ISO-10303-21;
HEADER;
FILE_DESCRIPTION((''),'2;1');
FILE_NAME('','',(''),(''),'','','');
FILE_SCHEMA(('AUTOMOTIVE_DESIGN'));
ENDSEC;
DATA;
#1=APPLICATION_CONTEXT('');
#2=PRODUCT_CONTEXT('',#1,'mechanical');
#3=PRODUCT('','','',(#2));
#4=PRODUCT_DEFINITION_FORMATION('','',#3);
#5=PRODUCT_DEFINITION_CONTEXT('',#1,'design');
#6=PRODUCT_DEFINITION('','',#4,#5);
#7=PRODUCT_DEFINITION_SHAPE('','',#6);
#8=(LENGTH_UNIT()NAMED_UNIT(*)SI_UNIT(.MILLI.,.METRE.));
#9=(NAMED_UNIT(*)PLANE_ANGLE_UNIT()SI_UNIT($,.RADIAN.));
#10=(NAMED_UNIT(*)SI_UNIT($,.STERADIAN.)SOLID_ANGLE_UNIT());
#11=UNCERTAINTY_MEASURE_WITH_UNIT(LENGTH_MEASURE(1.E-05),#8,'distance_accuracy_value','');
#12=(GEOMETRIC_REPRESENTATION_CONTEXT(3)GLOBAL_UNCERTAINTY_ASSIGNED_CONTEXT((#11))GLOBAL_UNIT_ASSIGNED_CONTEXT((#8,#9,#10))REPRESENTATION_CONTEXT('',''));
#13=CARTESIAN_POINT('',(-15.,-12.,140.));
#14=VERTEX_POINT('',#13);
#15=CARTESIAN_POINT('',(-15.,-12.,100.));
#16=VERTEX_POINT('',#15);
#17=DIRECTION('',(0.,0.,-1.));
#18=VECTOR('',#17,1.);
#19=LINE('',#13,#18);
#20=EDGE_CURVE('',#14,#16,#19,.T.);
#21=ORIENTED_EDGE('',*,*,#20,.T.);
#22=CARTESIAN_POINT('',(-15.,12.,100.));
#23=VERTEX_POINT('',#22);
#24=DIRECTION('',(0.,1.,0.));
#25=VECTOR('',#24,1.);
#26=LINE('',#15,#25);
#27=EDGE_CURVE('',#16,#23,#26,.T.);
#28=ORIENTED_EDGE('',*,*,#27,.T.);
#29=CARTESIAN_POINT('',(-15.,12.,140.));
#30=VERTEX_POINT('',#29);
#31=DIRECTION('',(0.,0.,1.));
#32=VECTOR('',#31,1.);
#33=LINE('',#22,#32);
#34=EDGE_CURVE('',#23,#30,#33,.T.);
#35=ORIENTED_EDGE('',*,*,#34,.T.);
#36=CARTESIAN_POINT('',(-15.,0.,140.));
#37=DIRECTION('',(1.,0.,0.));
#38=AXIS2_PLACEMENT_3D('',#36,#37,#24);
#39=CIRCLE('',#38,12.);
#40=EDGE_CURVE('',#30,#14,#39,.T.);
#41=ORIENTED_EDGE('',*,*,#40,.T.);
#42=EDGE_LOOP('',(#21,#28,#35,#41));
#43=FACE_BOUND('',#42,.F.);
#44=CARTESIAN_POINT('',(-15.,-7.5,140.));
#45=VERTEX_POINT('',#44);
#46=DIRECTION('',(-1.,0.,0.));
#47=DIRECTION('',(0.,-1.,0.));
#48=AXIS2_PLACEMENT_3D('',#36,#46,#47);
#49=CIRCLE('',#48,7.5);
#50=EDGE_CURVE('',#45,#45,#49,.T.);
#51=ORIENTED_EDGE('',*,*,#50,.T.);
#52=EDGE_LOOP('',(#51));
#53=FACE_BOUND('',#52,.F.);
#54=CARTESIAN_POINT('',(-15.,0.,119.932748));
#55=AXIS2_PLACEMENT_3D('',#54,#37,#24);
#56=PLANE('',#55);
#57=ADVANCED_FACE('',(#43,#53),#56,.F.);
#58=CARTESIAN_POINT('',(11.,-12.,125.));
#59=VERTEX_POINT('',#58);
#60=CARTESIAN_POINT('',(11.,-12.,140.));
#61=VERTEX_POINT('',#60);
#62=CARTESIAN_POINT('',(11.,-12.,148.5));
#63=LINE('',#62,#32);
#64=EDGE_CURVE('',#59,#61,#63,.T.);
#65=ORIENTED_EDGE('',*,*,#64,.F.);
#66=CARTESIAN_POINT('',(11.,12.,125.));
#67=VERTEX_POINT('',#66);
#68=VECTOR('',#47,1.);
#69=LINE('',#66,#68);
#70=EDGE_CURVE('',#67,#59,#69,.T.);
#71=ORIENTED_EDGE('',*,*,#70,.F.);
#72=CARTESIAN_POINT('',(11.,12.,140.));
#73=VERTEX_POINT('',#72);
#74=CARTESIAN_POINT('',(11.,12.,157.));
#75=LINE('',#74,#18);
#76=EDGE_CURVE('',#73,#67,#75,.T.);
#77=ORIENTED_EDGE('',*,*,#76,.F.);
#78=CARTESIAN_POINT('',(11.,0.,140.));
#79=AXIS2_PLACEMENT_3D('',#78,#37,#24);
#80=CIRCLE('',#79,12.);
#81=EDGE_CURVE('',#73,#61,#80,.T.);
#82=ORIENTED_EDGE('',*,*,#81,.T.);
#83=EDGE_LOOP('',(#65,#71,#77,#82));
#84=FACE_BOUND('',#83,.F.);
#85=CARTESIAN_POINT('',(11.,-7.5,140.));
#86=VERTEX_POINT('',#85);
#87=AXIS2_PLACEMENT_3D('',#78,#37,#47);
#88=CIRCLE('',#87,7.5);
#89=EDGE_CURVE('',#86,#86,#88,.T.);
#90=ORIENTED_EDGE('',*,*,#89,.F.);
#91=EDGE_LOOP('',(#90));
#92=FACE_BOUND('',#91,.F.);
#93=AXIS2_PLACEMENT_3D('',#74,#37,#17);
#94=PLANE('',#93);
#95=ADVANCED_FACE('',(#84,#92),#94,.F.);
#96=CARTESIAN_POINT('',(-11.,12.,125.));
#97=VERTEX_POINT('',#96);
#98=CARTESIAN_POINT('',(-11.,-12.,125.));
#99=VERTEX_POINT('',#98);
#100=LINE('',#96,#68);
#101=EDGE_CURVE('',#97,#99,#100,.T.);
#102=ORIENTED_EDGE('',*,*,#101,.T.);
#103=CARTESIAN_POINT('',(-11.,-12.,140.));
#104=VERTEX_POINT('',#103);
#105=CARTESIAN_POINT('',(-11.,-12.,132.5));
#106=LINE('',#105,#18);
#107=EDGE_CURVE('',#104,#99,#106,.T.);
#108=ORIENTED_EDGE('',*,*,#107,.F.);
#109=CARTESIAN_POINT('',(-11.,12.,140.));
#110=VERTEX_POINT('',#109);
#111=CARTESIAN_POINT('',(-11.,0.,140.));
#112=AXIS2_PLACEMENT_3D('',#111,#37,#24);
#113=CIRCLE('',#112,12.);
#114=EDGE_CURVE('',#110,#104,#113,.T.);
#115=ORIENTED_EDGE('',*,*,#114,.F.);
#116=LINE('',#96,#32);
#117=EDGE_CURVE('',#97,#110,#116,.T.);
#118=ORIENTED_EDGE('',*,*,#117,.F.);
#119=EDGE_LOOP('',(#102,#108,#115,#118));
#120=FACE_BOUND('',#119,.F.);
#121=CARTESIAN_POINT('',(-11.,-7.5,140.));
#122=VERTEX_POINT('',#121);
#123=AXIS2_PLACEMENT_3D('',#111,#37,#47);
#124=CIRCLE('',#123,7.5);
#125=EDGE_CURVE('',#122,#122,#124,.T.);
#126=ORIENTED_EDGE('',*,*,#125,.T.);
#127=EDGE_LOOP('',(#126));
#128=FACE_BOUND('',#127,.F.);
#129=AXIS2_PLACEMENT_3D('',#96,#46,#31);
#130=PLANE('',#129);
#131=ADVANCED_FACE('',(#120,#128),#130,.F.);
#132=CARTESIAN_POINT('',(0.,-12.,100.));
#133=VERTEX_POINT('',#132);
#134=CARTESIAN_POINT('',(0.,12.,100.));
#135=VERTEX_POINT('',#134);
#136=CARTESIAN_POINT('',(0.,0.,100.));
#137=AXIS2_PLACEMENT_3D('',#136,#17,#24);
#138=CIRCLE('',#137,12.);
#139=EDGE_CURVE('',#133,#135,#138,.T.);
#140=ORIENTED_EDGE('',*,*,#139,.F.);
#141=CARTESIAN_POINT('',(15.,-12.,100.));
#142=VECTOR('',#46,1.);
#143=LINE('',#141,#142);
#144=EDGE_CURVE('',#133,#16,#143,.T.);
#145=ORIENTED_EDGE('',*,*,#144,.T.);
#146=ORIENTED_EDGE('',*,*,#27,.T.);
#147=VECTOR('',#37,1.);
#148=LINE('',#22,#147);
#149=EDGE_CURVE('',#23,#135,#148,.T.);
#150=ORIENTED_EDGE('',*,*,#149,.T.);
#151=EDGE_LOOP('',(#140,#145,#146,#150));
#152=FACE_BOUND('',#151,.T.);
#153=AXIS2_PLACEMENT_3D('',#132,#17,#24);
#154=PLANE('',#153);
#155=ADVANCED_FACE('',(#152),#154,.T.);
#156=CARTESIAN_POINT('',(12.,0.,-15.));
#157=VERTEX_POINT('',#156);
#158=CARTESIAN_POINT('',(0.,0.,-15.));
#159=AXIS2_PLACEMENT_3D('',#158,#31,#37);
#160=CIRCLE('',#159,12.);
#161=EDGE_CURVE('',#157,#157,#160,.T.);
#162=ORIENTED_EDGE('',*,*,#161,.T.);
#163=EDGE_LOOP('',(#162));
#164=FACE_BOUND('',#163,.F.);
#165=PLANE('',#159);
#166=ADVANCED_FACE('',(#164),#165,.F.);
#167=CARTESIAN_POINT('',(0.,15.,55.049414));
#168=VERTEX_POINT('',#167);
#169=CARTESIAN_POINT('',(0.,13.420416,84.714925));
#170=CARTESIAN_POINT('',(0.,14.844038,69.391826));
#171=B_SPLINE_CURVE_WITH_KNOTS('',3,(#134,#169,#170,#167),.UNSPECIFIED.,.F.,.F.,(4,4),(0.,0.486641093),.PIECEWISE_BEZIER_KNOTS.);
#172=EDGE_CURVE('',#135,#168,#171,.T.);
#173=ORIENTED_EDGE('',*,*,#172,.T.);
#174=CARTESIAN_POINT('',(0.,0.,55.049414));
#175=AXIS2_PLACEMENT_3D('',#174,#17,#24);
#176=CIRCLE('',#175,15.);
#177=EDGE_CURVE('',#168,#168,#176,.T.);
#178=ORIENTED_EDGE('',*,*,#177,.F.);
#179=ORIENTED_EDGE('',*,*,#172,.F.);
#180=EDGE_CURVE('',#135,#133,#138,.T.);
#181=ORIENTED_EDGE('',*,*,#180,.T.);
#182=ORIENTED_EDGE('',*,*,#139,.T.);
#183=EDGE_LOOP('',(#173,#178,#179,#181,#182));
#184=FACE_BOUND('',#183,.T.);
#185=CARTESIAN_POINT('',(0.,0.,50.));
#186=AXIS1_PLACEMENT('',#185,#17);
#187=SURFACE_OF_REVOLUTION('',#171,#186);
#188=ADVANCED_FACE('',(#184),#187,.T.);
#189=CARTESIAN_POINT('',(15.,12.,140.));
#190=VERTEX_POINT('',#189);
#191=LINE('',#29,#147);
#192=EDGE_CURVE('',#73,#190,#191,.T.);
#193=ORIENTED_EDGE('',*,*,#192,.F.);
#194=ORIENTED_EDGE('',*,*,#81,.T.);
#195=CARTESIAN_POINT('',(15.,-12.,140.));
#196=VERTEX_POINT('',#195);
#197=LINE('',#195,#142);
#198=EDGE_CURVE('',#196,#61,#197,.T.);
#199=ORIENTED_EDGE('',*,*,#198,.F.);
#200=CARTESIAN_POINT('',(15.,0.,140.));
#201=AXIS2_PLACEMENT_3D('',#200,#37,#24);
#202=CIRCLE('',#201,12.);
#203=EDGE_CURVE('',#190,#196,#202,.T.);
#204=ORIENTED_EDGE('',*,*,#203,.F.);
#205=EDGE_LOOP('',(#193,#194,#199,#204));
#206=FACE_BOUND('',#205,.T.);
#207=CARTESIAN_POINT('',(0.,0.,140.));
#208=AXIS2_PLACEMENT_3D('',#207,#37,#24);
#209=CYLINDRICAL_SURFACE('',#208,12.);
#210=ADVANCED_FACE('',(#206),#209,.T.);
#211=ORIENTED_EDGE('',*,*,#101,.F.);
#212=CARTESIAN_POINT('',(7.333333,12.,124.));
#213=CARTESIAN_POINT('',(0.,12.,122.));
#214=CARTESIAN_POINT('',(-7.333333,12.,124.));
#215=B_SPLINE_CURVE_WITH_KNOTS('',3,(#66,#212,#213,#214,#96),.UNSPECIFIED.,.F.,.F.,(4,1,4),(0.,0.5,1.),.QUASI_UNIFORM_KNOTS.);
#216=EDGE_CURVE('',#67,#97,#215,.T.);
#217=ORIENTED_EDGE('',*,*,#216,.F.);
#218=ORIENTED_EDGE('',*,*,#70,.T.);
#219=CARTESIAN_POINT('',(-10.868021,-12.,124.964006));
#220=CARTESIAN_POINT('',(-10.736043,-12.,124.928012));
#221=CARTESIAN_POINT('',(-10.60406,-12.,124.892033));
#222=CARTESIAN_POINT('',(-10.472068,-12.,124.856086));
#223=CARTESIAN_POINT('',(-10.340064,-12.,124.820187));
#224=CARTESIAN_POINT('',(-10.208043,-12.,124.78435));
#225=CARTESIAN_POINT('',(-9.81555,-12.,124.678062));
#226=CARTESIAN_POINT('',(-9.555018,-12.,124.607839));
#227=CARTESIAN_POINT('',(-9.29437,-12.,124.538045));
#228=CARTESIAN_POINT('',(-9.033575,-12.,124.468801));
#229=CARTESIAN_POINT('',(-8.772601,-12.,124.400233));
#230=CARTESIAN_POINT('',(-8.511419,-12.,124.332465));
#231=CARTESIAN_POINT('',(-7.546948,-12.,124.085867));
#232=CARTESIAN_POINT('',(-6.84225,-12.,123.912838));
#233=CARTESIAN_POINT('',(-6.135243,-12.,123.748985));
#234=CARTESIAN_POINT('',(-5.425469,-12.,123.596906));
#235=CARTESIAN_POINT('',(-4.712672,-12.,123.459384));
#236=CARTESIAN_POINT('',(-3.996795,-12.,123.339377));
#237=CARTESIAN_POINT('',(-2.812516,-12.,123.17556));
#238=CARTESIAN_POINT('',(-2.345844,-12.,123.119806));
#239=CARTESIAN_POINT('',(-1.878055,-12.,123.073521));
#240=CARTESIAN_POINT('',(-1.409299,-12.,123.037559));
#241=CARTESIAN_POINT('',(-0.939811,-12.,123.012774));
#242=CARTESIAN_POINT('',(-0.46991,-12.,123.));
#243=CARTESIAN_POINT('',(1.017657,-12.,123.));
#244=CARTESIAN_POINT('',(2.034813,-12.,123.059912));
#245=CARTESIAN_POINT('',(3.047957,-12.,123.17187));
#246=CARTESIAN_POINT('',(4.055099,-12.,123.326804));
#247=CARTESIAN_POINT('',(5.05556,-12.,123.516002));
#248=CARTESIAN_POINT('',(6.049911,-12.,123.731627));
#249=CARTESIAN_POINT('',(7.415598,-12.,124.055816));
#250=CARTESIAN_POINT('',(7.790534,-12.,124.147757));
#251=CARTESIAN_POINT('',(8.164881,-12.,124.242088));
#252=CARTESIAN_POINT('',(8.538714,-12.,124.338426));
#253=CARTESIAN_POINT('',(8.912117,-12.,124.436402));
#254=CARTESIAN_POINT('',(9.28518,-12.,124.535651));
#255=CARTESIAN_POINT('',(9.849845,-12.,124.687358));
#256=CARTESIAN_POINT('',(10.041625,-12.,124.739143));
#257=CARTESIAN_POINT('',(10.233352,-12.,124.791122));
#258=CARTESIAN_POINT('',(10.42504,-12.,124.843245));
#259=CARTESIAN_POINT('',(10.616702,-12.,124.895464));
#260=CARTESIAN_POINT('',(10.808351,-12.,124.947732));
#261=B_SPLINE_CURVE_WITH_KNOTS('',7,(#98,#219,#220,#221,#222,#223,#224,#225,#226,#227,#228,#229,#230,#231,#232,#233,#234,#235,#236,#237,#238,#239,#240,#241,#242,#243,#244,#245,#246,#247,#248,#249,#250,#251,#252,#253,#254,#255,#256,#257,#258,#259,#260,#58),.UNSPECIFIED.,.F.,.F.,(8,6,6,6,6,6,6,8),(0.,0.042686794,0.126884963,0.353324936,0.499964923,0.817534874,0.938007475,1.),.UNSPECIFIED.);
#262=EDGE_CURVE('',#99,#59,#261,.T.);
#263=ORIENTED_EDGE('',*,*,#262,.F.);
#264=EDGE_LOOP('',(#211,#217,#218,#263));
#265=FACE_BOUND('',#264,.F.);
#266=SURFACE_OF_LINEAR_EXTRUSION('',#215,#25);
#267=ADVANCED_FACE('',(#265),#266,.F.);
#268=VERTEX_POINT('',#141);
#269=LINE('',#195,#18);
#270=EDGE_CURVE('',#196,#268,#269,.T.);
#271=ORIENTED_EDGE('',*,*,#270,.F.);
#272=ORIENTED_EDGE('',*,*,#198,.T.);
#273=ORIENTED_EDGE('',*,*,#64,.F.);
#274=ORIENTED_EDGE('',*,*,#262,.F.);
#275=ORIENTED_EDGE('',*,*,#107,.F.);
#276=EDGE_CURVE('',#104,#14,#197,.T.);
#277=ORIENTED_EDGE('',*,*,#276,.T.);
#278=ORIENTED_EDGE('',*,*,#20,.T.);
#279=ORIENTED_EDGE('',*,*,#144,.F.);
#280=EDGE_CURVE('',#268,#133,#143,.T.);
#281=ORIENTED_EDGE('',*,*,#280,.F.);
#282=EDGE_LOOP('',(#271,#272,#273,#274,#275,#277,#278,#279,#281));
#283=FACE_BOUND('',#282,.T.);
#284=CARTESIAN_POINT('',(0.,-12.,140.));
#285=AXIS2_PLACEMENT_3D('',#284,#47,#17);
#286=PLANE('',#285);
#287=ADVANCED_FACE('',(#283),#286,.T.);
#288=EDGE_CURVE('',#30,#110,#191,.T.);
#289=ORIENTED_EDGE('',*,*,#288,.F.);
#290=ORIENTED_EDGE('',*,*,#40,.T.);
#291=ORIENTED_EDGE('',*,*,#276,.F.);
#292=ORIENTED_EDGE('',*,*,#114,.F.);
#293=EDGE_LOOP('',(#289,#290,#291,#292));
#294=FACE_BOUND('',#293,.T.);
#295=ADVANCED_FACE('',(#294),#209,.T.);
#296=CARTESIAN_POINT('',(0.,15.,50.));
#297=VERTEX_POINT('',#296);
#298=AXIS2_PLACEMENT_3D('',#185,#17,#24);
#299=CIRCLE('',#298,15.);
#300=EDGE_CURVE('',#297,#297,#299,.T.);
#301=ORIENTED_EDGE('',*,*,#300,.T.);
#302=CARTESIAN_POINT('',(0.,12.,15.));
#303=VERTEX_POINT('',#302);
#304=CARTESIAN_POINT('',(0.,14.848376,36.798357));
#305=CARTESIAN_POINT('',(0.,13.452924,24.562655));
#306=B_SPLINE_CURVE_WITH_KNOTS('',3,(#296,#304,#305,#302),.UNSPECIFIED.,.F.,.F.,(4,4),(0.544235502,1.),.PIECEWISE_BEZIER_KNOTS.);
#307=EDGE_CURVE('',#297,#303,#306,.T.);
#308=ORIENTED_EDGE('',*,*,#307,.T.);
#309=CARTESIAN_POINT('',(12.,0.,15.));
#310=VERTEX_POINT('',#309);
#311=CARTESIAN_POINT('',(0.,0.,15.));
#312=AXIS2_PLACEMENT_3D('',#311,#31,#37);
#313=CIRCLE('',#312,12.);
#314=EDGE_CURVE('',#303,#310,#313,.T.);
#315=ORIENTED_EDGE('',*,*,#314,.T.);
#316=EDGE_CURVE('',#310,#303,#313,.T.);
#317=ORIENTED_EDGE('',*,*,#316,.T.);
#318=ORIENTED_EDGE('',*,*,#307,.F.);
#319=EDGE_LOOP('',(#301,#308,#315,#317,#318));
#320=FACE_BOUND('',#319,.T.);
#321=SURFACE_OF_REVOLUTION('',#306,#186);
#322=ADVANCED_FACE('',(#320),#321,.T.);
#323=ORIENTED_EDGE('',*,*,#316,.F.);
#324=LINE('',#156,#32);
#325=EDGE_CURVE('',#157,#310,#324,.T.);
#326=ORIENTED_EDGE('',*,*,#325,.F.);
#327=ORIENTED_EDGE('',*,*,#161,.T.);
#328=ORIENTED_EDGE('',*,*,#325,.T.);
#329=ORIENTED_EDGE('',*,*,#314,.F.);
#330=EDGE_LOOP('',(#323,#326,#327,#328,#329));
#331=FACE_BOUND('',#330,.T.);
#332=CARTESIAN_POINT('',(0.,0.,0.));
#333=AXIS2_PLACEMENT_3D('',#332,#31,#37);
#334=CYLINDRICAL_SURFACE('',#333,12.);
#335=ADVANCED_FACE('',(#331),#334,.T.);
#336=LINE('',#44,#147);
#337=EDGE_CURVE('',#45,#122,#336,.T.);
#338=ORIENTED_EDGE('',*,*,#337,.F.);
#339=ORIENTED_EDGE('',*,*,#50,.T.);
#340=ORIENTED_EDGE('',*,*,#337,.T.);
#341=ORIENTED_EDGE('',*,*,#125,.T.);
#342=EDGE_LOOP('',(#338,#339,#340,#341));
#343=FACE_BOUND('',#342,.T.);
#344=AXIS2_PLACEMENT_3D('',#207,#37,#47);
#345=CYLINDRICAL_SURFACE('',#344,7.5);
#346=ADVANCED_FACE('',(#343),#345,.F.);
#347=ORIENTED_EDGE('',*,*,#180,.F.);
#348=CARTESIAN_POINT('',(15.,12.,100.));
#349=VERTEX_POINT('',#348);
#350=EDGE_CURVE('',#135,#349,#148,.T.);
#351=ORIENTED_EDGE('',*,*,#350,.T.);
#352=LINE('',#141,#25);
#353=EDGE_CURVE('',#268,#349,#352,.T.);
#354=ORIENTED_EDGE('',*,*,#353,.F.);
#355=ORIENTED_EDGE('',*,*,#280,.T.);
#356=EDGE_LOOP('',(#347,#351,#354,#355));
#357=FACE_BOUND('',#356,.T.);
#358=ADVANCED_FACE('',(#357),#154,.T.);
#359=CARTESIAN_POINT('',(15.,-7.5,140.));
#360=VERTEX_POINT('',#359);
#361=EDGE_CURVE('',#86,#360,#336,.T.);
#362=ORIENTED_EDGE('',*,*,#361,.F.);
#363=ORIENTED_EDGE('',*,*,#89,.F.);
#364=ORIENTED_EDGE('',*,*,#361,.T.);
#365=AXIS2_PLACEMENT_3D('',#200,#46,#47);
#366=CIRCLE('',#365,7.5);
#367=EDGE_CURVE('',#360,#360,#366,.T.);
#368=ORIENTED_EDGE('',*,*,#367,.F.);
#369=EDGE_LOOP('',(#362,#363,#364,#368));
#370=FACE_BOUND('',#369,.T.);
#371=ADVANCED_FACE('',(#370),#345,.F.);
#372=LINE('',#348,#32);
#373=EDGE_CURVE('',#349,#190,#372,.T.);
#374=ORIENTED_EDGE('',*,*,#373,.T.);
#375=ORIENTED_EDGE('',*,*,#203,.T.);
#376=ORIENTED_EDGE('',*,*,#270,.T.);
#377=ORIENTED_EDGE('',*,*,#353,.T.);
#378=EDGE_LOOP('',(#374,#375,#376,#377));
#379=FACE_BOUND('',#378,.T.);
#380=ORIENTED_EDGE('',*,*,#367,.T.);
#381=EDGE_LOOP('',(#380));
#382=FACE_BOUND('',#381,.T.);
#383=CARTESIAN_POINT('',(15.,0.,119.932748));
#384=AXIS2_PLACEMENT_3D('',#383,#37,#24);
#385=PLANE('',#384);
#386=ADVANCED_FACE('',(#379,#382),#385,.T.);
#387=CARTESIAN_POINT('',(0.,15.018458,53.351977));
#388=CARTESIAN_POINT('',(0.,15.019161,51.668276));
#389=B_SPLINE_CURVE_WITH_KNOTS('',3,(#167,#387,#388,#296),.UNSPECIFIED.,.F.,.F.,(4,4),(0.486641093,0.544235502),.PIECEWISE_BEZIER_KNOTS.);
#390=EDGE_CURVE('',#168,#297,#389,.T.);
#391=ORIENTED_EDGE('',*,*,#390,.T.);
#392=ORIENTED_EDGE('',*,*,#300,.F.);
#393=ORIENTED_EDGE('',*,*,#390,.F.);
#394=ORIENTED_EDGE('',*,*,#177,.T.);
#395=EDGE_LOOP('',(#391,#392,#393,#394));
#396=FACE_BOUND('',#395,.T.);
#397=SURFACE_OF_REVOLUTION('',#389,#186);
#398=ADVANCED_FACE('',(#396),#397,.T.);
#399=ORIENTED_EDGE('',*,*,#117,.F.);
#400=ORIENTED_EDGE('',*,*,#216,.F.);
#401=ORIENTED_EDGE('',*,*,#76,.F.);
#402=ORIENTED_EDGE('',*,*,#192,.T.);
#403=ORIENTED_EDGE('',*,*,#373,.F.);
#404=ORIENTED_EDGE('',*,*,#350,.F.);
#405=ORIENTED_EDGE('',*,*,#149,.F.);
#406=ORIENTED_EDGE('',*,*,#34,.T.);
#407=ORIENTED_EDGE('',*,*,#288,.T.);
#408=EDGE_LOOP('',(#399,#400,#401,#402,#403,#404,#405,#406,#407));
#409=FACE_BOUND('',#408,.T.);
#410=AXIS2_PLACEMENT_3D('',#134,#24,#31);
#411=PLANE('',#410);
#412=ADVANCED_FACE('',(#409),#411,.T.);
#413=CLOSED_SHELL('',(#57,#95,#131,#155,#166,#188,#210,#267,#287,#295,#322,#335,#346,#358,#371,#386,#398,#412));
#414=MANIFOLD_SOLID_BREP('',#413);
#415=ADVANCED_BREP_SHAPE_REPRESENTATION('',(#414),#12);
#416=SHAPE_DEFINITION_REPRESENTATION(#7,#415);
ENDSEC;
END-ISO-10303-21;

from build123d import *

# Parameters (mm, degrees)
F0_R     = 12
F1_DEPTH = 15
F2_W     = 12
F2_H     = 85
F5_DEPTH = 15
F6_W     = 22
F6_H     = 2
F6_H_2   = 15
F7_DEPTH = 25.4


with BuildPart() as f1:
    # F0 (on Top) → F1 (new body, symmetric)
    with BuildSketch(Plane.XY):
        Circle(F0_R)
    extrude(amount=F1_DEPTH, both=True)

    # F2 (on Right) → F3 (revolve)
    with BuildSketch(Plane.YZ):
        with Locations((6, 57.5)):
            Rectangle(F2_W, F2_H)
        with BuildLine():
            Line((12, 100), (12, 15))
            add(Edge.make_bspline(
                [(15, 50), (14.8483760761, 36.7983569986), (13.4529237629, 24.5626545335), (12, 15)],
                knots=[0.5442355016, 0.5442355016, 0.5442355016, 0.5442355016, 1, 1, 1, 1], degree=3))
            Line((15, 50), (15, 55.0494137852))
            add(Edge.make_bspline(
                [(12, 100), (13.4204155957, 84.714924594), (14.8440376845, 69.3918255439), (15, 55.0494137852)],
                knots=[0, 0, 0, 0, 0.4866410928, 0.4866410928, 0.4866410928, 0.4866410928], degree=3))
        make_face()
        with BuildLine():
            Line((15, 55.0494137852), (15, 50))
            add(Edge.make_bspline(
                [(15, 55.0494137852), (15.0184582796, 53.3519765173), (15.019160532, 51.6682756719), (15, 50)],
                knots=[0.4866410928, 0.4866410928, 0.4866410928, 0.4866410928, 0.5442355016, 0.5442355016, 0.5442355016, 0.5442355016], degree=3))
        make_face()
    revolve(axis=Axis((0, 0, 50), (0, 0, -1)))

    # F4 (on Right) → F5 (join, symmetric)
    with BuildSketch(Plane.YZ):
        with BuildLine():
            Line((-12, 100), (12, 100))
            Line((12, 100), (12, 140))
            ThreePointArc((12, 140), (0, 128), (-12, 140))
            Line((-12, 140), (-12, 100))
        make_face()
        with BuildLine():
            ThreePointArc((-12, 140), (0, 128), (12, 140))
            Line((12, 140), (7.5, 140))
            ThreePointArc((7.5, 140), (0, 132.5), (-7.5, 140))
            Line((-7.5, 140), (-12, 140))
        make_face()
        with BuildLine():
            Line((7.5, 140), (12, 140))
            ThreePointArc((12, 140), (0, 152), (-12, 140))
            Line((-12, 140), (-7.5, 140))
            ThreePointArc((-7.5, 140), (0, 147.5), (7.5, 140))
        make_face()
    extrude(amount=F5_DEPTH, both=True)

    # F6 (on face) → F7 (cut)
    with BuildSketch(Plane(origin=(0, 12, 0), x_dir=(-1, 0, 0), z_dir=(0, 1, 0))):
        with Locations((0, 156)):
            Rectangle(F6_W, F6_H)
        with BuildLine():
            add(Edge.make_bspline(
                [(0, 123), (3.6666666667, 123), (7.3333333333, 124), (11, 125)],
                knots=[0.5, 0.5, 0.5, 0.5, 1, 1, 1, 1], degree=3))
            Line((11, 125), (-11, 125))
            add(Edge.make_bspline(
                [(-11, 125), (-7.3333333333, 124), (-3.6666666667, 123), (0, 123)],
                knots=[0, 0, 0, 0, 0.5, 0.5, 0.5, 0.5], degree=3))
        make_face()
        with Locations((0, 147.5)):
            Rectangle(F6_W, F6_H_2)
        with Locations((0, 132.5)):
            Rectangle(F6_W, F6_H_2)
    extrude(amount=-F7_DEPTH, mode=Mode.SUBTRACT)


solid = f1.part
